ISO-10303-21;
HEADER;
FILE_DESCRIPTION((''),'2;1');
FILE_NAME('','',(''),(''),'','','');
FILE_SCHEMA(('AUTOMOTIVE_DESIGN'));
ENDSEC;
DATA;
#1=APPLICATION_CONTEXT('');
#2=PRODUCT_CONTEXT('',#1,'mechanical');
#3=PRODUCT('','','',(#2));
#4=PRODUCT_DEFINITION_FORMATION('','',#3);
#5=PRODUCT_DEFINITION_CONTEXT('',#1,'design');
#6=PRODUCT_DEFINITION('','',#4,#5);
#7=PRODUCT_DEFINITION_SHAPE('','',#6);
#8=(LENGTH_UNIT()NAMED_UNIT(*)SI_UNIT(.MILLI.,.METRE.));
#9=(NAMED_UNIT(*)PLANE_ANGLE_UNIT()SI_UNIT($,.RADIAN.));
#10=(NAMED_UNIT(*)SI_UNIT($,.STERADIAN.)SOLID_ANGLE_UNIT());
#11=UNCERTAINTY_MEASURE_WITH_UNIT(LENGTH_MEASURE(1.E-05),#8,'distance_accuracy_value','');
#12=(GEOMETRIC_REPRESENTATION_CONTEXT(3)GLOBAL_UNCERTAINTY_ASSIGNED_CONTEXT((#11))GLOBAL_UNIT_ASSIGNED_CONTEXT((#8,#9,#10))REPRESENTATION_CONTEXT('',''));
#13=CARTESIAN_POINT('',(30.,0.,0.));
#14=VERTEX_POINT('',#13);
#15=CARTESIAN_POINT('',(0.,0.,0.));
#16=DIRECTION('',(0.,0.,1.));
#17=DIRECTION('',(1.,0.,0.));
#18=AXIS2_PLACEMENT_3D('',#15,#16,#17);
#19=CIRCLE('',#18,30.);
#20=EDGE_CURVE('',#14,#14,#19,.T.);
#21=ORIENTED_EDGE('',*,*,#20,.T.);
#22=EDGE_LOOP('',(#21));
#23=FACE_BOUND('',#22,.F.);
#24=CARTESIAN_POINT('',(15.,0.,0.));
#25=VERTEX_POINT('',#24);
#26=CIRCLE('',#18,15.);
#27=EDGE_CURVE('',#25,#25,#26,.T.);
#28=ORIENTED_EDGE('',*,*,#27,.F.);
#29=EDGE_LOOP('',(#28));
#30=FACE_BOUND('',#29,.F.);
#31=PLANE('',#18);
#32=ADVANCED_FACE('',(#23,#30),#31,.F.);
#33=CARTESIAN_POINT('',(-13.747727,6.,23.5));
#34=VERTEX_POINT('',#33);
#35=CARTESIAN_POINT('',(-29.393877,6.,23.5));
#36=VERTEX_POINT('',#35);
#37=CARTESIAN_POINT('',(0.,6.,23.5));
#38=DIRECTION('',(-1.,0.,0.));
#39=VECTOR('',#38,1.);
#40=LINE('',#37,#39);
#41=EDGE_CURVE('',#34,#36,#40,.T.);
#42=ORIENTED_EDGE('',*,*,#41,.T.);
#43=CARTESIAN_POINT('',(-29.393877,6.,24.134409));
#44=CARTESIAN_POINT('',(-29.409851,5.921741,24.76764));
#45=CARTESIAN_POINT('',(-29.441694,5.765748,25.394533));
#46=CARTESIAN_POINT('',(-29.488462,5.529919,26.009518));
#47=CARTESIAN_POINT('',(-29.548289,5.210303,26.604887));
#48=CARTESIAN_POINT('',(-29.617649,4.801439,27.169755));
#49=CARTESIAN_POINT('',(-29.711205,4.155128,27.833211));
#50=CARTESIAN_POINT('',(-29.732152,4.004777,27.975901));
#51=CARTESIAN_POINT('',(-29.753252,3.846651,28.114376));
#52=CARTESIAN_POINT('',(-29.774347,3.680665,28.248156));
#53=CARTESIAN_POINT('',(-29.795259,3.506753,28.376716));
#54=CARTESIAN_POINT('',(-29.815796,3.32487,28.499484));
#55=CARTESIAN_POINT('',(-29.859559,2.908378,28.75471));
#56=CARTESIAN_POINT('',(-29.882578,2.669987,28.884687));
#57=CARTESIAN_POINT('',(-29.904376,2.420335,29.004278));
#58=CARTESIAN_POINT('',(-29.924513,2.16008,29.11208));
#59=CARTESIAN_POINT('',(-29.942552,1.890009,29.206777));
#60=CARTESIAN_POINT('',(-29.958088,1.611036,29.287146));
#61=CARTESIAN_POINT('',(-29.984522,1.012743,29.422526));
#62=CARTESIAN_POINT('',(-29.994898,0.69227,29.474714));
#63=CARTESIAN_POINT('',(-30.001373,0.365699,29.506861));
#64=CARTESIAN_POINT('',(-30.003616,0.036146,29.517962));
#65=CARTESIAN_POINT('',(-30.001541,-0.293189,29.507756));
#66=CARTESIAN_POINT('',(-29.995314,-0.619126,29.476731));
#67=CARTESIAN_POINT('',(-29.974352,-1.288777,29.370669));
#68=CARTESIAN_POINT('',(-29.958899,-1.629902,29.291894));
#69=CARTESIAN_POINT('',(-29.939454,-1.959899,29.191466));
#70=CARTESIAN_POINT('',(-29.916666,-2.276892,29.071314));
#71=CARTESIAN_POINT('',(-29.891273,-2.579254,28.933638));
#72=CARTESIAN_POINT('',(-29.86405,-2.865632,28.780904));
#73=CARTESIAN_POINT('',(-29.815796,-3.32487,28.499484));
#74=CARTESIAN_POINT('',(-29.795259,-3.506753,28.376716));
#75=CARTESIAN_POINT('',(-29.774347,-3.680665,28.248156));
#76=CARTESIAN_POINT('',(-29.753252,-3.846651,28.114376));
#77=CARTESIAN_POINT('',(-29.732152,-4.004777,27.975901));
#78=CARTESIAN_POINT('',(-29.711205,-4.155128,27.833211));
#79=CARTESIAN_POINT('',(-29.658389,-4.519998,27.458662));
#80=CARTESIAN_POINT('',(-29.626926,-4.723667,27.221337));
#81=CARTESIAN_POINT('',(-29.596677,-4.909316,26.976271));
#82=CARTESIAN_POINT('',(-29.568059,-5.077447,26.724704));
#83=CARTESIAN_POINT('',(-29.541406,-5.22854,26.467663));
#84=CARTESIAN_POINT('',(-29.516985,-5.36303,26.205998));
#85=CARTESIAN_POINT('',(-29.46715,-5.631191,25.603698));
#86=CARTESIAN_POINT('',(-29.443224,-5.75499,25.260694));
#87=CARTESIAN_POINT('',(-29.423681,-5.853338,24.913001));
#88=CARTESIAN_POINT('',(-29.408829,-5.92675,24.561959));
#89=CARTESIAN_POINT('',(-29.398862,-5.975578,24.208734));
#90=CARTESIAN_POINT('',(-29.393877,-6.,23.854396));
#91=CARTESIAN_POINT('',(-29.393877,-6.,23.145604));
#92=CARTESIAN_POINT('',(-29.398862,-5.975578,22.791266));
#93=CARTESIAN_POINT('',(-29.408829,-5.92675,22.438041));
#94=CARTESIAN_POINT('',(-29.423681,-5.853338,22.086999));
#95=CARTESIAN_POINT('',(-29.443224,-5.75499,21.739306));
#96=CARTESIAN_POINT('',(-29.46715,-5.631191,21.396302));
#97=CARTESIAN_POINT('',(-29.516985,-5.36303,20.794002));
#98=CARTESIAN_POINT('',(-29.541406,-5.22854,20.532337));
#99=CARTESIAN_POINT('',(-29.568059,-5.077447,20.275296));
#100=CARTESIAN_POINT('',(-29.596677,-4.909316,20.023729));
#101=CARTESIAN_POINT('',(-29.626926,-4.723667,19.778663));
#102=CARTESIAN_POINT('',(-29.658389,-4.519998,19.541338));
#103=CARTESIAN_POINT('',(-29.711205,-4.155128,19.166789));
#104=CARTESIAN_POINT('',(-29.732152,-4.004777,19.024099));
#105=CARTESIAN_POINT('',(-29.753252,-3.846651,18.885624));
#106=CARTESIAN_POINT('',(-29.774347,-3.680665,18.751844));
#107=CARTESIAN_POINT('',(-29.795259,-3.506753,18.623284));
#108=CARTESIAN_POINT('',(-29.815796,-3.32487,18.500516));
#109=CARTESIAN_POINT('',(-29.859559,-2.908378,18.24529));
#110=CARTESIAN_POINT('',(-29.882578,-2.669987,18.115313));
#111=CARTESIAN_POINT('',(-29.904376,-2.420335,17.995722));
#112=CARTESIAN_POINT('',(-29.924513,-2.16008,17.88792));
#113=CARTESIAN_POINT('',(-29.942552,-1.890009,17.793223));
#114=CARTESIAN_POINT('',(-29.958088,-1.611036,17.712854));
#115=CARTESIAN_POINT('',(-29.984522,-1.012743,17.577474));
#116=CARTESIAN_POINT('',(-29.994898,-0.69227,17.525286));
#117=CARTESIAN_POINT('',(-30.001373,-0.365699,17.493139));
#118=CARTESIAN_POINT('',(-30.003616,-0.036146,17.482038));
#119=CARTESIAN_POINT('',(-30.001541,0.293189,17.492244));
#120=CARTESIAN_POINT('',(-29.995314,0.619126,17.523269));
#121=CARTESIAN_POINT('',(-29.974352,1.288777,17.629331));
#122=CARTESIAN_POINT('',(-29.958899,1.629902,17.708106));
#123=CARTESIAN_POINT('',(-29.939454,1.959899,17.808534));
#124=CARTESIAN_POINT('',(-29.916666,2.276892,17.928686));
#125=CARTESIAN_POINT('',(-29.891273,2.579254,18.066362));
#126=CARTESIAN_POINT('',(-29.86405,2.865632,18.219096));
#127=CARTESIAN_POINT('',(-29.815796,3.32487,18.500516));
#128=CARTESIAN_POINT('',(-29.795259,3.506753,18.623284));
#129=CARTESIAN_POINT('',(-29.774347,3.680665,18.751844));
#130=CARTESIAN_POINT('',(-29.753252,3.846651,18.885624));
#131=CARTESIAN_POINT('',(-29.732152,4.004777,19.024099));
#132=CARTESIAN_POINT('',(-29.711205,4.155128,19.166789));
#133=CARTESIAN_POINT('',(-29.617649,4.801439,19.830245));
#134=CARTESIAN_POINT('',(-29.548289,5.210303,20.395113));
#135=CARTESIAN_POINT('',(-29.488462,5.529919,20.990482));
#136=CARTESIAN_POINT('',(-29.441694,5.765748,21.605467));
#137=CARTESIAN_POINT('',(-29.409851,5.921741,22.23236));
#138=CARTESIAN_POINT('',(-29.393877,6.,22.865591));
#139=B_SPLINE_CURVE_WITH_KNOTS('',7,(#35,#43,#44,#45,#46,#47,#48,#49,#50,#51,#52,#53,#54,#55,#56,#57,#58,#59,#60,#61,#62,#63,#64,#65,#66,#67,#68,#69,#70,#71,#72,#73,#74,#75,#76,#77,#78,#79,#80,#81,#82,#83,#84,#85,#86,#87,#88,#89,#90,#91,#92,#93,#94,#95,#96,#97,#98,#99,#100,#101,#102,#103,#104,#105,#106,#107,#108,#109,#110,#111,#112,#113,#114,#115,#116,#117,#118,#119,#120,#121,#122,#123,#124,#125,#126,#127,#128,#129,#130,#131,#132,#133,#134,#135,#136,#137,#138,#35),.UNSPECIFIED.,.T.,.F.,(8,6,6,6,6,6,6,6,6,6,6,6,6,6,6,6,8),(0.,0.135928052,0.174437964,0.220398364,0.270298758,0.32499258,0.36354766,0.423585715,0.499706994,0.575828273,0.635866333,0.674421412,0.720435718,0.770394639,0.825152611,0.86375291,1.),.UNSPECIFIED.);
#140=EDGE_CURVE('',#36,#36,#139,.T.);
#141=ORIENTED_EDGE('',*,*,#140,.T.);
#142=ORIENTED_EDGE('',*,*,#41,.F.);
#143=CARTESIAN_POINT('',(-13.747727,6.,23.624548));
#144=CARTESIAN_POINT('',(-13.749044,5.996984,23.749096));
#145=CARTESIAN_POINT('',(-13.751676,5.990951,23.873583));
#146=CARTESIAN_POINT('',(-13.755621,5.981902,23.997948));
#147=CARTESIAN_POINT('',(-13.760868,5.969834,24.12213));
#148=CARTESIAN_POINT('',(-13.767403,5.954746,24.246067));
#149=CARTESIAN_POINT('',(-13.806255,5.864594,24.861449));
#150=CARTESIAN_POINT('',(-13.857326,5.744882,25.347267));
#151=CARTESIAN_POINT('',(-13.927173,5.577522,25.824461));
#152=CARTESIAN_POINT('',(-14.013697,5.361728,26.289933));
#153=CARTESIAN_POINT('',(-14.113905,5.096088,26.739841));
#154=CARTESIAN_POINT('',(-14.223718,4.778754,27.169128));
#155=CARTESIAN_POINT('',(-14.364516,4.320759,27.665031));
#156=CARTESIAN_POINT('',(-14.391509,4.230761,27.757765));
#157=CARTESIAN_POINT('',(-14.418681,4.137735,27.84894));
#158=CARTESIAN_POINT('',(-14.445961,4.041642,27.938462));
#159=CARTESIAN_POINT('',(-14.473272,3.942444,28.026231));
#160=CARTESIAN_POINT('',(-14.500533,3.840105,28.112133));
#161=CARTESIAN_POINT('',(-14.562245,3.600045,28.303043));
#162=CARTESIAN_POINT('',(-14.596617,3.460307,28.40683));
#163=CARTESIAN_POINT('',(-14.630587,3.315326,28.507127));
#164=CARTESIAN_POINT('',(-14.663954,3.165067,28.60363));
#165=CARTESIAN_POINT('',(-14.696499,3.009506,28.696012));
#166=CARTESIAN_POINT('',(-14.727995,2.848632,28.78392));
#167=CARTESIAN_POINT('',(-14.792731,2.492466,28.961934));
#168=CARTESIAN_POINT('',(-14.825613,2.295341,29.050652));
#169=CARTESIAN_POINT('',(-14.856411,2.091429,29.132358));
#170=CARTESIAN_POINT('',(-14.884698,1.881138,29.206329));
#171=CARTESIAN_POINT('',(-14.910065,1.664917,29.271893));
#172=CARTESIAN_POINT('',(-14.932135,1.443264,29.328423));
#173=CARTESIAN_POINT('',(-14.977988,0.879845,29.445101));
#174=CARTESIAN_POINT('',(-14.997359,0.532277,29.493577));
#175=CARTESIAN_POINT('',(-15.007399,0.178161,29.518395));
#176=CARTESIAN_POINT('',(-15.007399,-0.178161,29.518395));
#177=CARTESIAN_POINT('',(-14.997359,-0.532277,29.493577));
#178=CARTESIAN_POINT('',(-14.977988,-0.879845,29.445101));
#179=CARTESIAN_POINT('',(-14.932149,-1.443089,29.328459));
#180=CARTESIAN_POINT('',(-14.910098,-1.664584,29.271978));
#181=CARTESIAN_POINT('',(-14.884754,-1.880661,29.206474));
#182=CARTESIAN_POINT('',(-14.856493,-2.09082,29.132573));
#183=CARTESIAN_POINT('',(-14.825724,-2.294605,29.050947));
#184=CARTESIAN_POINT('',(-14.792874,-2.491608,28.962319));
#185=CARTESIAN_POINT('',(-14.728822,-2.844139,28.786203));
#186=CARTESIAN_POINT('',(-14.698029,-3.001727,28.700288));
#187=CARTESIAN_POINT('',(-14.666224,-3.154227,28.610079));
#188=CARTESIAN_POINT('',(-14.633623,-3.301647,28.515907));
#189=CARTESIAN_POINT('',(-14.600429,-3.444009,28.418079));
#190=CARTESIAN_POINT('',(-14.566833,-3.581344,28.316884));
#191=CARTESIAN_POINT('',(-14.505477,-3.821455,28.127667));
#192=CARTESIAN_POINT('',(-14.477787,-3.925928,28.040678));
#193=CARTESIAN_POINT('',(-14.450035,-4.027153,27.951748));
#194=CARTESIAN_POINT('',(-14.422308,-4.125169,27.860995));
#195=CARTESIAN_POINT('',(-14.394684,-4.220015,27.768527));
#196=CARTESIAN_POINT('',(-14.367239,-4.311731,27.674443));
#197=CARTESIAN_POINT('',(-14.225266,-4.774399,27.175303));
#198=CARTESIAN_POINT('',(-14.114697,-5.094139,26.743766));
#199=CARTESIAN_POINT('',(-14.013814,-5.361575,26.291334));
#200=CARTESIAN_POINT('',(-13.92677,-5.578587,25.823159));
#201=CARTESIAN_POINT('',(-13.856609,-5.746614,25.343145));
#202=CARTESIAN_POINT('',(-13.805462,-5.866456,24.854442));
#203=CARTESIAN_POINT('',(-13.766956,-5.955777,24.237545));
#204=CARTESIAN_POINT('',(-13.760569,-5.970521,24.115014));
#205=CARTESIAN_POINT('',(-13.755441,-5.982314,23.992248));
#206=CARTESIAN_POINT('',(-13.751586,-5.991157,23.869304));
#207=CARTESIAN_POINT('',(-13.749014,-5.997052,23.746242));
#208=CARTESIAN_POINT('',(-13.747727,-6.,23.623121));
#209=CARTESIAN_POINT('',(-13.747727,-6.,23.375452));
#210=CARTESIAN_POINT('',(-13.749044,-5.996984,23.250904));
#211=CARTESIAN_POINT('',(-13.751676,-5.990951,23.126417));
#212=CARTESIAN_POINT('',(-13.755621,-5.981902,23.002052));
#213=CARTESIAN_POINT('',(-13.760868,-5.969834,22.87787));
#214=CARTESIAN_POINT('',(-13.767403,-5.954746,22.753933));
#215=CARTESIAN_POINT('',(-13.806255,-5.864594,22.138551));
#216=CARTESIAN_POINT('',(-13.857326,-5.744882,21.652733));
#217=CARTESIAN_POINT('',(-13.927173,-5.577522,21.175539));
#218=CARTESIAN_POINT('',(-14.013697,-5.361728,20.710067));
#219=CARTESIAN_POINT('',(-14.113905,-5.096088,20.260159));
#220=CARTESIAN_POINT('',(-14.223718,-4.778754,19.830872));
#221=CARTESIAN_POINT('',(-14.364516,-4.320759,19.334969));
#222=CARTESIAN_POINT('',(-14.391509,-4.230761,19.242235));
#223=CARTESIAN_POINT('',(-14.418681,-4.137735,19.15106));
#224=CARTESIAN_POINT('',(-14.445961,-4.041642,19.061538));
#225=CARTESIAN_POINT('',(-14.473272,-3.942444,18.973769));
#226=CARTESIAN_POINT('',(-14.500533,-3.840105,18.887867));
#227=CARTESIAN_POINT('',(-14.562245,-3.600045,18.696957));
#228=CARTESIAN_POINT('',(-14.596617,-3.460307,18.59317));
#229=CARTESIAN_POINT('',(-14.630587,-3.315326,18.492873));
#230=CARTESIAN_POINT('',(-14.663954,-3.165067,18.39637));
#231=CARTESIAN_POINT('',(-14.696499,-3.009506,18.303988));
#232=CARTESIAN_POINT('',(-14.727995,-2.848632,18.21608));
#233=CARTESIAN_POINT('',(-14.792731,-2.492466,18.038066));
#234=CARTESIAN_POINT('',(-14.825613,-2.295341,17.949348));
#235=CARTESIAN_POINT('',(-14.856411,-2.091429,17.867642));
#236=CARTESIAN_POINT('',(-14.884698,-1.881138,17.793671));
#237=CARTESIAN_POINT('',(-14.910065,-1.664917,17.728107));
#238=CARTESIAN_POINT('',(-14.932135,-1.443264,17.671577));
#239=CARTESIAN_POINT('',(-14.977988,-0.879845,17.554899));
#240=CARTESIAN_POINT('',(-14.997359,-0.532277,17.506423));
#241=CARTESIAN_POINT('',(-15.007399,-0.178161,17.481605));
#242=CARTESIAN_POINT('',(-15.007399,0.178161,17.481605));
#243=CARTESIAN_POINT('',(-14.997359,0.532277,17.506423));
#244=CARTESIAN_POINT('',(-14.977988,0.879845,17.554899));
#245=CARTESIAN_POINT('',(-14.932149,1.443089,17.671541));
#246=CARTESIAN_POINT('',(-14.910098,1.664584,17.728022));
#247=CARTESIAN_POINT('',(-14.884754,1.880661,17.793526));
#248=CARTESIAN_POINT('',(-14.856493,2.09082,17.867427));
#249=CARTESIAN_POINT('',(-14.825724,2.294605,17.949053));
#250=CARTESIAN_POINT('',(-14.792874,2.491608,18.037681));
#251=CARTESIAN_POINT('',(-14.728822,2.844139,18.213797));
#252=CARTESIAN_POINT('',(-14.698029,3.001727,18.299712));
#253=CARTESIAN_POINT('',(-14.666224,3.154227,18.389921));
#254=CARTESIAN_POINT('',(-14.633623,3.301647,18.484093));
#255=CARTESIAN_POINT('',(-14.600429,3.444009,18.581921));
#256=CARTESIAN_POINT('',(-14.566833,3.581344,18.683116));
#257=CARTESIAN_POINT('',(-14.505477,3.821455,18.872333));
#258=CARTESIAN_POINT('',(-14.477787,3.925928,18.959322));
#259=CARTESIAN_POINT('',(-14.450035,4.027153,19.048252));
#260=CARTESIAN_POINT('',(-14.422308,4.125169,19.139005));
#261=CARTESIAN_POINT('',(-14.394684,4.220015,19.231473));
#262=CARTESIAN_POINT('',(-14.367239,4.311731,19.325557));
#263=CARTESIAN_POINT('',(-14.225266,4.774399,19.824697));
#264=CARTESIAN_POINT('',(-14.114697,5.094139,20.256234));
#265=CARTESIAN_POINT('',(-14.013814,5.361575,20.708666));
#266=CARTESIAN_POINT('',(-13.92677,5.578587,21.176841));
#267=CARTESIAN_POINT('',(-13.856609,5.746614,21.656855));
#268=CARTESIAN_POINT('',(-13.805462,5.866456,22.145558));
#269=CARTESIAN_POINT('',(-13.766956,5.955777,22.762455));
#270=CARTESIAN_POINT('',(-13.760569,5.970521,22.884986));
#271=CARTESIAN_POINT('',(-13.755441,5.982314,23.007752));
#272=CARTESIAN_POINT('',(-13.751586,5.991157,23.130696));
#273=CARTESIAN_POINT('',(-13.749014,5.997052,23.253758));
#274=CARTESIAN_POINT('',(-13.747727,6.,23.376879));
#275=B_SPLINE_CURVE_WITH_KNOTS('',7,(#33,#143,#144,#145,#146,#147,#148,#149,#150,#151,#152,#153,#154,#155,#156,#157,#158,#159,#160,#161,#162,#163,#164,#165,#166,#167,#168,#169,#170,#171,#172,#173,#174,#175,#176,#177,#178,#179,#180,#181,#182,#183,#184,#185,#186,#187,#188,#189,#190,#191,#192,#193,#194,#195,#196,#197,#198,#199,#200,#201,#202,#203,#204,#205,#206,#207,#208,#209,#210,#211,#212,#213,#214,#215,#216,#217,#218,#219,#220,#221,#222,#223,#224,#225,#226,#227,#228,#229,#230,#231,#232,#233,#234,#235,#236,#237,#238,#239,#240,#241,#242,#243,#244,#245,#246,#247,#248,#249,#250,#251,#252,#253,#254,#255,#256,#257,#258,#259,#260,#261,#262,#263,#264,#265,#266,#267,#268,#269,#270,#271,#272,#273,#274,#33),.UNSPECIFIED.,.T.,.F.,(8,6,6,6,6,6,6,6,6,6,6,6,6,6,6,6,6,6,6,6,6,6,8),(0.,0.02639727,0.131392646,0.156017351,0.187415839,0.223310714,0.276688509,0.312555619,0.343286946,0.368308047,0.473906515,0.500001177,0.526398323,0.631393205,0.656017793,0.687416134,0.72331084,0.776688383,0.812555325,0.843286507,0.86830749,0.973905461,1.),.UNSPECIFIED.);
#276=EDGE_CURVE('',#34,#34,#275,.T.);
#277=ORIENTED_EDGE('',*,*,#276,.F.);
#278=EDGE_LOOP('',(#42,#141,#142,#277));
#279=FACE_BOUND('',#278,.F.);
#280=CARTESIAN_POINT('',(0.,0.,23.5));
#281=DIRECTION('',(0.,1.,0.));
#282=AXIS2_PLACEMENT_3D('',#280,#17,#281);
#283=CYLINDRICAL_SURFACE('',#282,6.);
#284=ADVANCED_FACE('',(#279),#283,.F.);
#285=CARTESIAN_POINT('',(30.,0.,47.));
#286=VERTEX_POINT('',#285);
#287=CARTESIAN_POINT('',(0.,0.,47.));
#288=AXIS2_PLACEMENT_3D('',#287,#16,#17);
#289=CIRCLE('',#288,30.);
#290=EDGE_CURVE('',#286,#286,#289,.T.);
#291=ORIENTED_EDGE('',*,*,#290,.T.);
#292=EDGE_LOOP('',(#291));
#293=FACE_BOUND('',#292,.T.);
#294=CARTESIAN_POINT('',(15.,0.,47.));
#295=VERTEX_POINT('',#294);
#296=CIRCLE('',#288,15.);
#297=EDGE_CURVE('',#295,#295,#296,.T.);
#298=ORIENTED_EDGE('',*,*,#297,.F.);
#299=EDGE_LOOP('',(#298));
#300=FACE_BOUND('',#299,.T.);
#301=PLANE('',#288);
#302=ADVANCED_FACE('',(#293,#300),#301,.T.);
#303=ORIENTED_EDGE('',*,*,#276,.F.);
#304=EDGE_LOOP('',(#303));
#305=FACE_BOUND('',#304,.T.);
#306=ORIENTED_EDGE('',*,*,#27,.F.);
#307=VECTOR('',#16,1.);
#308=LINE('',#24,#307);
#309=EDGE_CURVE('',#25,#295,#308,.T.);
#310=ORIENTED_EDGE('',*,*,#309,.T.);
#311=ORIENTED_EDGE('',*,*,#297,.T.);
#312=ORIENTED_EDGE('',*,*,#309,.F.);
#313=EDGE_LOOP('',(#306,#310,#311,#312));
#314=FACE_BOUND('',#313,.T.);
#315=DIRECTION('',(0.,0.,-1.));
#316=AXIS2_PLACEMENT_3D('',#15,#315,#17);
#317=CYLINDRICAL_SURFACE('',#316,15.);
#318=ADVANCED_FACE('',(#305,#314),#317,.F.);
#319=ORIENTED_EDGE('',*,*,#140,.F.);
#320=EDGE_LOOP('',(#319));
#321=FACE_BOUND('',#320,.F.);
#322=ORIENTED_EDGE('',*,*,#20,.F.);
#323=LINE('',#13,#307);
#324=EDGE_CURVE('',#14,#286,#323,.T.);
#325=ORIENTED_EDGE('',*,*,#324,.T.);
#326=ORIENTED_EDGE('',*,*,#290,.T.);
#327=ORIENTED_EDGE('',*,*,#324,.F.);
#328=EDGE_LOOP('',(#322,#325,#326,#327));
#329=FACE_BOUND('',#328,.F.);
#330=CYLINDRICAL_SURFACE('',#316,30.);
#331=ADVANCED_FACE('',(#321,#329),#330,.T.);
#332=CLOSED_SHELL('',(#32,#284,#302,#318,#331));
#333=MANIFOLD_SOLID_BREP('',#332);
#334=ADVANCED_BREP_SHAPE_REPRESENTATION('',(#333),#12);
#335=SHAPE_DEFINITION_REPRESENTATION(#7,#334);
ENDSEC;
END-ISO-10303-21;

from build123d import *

# Parameters (mm, degrees)
F0_R     = 30
F0_R_2   = 15
F1_DEPTH = 47
F3_D     = 12
F3_DEPTH = 30
F3_TIP   = 3.6051637142


with BuildPart() as f1:
    # F0 (on Top) → F1 (new body)
    with BuildSketch(Plane.XY):
        Circle(F0_R)
        Circle(F0_R_2, mode=Mode.SUBTRACT)
    extrude(amount=F1_DEPTH)

    # F3 (one way)
    with BuildSketch(Plane.YZ):
        with Locations((0, 23.5)):
            Circle(F3_D / 2)
    extrude(amount=-F3_DEPTH, mode=Mode.SUBTRACT)
    with Locations(Plane.YZ):
        with Locations((0, 23.5)):
            with Locations((0, 0, -(F3_DEPTH + F3_TIP / 2))):  # 118° drill point
                Cone(0, F3_D / 2, F3_TIP, mode=Mode.SUBTRACT)


solid = f1.part
